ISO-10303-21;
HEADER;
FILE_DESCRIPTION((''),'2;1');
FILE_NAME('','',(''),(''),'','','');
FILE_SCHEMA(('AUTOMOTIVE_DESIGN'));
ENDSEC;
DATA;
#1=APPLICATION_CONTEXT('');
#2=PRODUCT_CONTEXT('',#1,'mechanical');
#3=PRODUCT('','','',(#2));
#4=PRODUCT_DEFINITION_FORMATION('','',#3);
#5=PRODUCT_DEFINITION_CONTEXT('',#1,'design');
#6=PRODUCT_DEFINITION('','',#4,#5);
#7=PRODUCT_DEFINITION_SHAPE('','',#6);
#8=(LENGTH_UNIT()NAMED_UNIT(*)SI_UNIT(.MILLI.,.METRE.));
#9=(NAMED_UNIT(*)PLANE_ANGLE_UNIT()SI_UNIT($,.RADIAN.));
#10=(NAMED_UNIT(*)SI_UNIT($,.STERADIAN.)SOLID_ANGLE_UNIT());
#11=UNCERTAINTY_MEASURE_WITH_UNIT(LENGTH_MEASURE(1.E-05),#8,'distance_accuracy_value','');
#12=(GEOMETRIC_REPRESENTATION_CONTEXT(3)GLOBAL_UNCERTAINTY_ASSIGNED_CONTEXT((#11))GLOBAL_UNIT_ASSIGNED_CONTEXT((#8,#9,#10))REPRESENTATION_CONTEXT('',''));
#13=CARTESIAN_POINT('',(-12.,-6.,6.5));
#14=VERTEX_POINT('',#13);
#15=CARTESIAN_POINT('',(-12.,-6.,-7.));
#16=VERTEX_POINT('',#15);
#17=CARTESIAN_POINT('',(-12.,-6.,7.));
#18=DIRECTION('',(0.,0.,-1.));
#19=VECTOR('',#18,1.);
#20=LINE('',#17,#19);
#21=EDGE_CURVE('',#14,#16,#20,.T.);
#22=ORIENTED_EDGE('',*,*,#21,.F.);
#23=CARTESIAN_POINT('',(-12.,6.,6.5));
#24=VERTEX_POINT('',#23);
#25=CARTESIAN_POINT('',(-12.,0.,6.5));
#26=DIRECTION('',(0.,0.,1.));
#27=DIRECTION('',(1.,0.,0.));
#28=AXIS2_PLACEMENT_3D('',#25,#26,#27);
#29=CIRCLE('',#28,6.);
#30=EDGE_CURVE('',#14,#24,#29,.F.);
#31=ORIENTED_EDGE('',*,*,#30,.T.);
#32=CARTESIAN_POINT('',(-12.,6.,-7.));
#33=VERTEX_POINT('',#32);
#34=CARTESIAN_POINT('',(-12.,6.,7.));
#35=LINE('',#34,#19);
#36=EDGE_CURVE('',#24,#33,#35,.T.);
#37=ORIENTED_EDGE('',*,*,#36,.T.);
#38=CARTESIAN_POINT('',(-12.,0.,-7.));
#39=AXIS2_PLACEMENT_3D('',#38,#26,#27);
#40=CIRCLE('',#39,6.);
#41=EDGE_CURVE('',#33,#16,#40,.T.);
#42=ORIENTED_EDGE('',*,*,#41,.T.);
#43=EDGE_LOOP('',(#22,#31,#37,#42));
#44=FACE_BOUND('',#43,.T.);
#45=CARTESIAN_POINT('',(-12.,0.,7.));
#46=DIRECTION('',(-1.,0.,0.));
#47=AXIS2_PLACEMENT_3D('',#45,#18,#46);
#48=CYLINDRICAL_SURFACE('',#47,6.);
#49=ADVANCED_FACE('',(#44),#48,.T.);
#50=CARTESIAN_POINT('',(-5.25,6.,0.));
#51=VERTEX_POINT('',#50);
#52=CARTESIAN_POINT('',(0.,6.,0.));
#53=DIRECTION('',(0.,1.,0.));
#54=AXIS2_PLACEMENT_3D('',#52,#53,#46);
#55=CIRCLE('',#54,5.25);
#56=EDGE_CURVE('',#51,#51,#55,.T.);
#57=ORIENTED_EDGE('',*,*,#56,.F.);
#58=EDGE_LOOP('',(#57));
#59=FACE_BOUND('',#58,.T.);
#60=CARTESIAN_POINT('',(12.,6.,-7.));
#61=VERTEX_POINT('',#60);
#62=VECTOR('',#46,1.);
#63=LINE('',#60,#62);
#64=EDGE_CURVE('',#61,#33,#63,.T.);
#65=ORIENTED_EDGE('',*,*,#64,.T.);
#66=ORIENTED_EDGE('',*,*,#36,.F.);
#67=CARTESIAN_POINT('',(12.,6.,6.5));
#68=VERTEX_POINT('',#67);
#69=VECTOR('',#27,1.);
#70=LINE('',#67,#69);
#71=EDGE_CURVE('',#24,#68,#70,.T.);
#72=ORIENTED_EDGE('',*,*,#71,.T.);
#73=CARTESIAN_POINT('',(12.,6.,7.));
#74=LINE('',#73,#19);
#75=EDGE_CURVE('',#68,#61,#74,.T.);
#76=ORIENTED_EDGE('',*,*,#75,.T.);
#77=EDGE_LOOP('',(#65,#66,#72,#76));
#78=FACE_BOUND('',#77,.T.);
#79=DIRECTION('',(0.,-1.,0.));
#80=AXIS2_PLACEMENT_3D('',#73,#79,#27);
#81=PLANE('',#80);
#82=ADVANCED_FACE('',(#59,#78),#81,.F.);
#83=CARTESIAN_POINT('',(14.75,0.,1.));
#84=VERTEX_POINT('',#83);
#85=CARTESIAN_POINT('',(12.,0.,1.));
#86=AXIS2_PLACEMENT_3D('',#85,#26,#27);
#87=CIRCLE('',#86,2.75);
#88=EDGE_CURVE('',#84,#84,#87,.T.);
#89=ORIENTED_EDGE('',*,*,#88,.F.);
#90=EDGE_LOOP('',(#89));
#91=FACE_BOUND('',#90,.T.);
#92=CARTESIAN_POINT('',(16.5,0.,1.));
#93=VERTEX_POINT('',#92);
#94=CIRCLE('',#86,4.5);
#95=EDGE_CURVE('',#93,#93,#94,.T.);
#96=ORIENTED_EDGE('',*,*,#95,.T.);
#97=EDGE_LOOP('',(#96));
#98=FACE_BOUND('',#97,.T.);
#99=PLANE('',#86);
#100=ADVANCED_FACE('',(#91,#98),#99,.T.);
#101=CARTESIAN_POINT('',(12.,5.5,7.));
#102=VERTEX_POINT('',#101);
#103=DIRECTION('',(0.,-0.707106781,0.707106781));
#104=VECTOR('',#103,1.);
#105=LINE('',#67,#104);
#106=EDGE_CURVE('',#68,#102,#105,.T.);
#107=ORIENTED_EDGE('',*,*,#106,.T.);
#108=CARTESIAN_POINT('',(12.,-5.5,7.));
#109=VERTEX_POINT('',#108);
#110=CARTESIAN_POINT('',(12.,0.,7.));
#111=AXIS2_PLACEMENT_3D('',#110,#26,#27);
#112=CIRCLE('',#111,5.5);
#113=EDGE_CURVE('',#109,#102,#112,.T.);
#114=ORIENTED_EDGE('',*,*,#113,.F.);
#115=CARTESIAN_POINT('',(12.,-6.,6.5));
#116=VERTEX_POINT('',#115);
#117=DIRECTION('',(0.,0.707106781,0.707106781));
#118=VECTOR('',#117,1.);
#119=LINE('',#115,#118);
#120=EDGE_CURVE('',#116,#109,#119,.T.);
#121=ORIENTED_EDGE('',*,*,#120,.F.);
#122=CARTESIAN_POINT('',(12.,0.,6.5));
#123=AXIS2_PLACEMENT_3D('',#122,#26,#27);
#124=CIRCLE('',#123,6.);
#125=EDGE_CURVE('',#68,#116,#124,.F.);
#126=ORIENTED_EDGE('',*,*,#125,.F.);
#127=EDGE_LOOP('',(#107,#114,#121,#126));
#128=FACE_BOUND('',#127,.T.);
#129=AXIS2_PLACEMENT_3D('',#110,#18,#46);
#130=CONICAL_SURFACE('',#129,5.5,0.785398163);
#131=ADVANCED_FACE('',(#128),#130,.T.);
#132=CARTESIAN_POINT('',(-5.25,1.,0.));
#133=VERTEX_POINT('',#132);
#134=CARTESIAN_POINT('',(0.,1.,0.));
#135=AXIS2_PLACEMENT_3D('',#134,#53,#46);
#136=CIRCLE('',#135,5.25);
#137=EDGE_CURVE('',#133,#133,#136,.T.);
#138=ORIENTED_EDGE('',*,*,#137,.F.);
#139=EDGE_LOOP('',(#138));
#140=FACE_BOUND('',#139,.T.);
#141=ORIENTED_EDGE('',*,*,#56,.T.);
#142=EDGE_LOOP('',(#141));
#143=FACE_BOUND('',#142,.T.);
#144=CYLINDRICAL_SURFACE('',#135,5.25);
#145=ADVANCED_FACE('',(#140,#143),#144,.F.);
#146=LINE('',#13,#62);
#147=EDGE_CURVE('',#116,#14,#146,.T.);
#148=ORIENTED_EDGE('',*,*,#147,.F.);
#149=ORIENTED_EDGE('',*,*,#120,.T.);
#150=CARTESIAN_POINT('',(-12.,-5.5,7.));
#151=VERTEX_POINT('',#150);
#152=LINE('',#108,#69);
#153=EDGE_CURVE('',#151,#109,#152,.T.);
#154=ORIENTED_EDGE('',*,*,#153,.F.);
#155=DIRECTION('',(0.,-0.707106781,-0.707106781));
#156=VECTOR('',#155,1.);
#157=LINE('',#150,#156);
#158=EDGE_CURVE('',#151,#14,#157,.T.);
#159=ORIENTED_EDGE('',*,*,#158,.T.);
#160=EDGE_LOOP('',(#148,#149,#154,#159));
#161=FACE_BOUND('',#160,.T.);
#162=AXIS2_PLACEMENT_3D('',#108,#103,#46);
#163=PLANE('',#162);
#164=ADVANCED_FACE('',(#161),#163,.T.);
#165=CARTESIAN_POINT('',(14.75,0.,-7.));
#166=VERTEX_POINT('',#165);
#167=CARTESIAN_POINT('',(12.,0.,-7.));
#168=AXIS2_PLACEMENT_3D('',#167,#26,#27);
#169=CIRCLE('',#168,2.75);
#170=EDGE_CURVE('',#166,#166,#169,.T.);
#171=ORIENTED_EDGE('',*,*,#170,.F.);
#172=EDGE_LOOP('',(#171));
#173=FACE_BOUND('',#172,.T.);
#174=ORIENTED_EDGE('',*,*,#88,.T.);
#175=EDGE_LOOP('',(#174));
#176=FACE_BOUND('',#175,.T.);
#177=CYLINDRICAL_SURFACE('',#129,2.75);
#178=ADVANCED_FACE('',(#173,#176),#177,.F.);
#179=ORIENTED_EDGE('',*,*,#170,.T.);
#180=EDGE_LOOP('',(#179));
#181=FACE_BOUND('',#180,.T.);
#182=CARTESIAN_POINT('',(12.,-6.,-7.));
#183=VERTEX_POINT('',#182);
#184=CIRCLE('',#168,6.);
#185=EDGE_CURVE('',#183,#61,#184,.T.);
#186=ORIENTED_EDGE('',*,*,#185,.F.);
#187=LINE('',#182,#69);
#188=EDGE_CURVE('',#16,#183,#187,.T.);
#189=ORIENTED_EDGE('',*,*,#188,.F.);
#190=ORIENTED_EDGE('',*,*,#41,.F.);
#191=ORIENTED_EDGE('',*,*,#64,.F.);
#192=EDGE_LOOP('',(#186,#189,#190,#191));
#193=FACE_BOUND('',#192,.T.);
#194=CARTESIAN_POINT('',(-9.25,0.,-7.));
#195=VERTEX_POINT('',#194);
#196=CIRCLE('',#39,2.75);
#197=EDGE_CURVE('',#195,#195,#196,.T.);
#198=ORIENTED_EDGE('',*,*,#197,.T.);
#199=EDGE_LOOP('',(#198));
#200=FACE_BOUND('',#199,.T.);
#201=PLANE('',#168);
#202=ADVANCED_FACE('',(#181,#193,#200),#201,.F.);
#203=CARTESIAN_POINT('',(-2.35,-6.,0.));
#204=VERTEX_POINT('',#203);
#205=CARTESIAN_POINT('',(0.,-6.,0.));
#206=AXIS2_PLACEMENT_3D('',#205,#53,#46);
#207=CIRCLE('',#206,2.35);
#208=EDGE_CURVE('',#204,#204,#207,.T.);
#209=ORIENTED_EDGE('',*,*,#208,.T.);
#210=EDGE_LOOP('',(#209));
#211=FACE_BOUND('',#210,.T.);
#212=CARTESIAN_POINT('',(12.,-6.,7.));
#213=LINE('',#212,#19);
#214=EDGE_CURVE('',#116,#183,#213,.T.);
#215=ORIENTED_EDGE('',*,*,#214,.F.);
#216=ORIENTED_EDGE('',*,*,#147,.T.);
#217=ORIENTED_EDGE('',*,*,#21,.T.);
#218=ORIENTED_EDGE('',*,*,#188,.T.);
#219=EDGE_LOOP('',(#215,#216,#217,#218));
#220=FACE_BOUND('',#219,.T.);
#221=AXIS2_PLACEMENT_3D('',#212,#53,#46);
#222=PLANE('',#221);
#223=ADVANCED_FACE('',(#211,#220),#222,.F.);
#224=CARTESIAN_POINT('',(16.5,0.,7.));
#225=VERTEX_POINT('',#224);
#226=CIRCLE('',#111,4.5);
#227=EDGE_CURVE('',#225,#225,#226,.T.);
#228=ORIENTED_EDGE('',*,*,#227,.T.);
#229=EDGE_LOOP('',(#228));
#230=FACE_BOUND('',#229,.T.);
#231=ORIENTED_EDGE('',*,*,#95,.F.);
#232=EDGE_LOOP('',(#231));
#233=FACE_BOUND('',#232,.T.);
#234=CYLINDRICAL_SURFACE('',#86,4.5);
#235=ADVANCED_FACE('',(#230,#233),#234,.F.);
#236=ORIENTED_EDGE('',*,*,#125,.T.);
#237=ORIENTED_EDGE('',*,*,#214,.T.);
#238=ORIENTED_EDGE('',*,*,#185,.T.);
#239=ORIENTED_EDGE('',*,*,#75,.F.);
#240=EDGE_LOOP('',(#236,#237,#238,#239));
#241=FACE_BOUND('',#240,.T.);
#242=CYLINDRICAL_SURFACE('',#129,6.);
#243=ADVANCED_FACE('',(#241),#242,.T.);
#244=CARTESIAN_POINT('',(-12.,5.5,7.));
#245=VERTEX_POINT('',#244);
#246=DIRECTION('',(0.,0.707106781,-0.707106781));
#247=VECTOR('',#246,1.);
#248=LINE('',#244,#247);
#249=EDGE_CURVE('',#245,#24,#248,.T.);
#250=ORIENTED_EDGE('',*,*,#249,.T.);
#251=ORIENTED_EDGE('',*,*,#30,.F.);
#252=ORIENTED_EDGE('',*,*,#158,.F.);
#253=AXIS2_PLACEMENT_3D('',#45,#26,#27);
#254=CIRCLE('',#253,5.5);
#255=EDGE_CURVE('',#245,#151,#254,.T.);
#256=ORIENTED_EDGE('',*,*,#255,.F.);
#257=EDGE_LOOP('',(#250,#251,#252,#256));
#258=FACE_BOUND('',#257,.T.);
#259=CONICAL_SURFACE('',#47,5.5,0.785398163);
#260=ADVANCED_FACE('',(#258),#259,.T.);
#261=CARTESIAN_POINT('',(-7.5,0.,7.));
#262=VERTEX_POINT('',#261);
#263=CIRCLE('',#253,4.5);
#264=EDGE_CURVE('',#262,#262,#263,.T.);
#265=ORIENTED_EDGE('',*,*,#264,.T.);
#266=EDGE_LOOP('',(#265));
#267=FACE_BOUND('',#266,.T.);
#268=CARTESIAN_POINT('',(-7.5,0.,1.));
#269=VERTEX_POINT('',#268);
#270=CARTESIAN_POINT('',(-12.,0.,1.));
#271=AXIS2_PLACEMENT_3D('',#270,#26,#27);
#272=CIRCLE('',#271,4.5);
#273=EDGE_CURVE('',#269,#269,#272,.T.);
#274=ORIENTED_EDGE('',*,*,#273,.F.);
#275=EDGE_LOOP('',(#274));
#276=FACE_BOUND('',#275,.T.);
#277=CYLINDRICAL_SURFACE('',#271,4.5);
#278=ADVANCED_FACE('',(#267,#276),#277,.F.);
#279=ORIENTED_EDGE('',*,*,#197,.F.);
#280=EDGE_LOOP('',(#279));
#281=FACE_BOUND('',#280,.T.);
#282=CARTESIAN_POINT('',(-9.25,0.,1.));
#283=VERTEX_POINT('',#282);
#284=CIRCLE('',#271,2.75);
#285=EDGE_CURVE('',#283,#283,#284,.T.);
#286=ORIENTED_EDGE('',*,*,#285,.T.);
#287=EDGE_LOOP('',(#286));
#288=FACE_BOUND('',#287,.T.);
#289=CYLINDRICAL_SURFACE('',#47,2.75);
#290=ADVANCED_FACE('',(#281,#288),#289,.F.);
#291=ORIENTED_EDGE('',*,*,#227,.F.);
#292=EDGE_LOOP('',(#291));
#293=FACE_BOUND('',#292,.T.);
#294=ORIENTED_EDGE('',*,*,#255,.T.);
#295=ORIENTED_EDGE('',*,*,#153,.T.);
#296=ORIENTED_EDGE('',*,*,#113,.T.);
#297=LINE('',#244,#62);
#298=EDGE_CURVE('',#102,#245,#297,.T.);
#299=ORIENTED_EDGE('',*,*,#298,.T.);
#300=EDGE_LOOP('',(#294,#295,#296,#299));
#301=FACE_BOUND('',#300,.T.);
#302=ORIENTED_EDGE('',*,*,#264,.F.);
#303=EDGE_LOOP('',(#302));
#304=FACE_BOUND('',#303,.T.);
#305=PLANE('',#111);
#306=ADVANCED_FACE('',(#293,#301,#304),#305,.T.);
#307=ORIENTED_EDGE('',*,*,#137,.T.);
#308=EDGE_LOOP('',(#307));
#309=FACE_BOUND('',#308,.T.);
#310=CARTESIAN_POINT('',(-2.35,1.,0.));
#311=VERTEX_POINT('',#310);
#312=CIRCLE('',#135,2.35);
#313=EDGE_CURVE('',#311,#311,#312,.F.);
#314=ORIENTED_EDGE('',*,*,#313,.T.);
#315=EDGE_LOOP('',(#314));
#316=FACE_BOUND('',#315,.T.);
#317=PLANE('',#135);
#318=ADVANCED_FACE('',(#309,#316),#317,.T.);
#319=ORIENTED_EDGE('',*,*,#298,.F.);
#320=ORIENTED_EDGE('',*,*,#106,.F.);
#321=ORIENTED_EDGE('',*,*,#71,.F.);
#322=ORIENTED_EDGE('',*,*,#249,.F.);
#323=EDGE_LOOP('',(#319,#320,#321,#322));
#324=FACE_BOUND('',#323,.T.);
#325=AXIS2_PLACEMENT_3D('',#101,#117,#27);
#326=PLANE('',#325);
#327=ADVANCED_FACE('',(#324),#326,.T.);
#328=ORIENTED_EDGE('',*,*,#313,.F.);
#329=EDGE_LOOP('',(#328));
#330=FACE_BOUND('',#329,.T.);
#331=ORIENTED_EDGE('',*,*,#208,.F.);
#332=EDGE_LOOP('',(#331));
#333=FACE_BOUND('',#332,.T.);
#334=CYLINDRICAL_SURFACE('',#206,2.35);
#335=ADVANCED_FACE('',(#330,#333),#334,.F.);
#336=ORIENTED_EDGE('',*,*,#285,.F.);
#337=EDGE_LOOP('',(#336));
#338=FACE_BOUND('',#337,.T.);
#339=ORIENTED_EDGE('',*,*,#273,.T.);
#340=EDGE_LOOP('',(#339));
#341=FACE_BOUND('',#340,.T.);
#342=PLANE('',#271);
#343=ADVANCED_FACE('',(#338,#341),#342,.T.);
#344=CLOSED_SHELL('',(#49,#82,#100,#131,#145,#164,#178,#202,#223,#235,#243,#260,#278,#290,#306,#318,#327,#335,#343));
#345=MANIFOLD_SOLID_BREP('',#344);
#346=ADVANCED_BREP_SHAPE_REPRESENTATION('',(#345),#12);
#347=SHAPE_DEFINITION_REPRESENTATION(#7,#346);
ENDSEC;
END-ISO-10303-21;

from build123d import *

# Parameters (mm, degrees)
SKETCH1_R           = 2.75
BOSS_EXTRUDE1_DEPTH = 7
SKETCH2_R           = 2.35
CUT_EXTRUDE1_DEPTH  = 23.737634002
SKETCH3_R           = 5.25
CUT_EXTRUDE2_DEPTH  = 5
CHAMFER1_SIZE       = 0.5
SKETCH4_R           = 4.5
CUT_EXTRUDE3_DEPTH  = 6


with BuildPart() as part:
    # Sketch1 → Boss-Extrude1 (new, symmetric)
    with BuildSketch(Plane.XY):
        with BuildLine():
            Line((12, -6), (-12, -6))
            ThreePointArc((-12, -6), (-18, 0), (-12, 6))
            Line((-12, 6), (12, 6))
            ThreePointArc((12, 6), (18, 0), (12, -6))
        make_face()
        with Locations((-12, 0)):
            Circle(SKETCH1_R, mode=Mode.SUBTRACT)
        with Locations((12, 0)):
            Circle(SKETCH1_R, mode=Mode.SUBTRACT)
    extrude(amount=BOSS_EXTRUDE1_DEPTH, both=True)

    # Sketch2 → Cut-Extrude1 (cut, through all)
    with BuildSketch(Plane(origin=(0, 6, 0), x_dir=(1, 0, 0), z_dir=(0, 1, 0))):
        with Locations(Location((0, 0, 0), (0, 0, 180))):
            Circle(SKETCH2_R)
    extrude(amount=-CUT_EXTRUDE1_DEPTH, mode=Mode.SUBTRACT)

    # Sketch3 → Cut-Extrude2 (cut)
    with BuildSketch(Plane(origin=(0, 6, 0), x_dir=(1, 0, 0), z_dir=(0, 1, 0))):
        with Locations(Location((0, 0, 0), (0, 0, 180))):
            Circle(SKETCH3_R)
    extrude(amount=-CUT_EXTRUDE2_DEPTH, mode=Mode.SUBTRACT)

    # Chamfer1
    chamfer1_edges = [part.edges().sort_by_distance(p)[0] for p in [
        (-18, 0, 7),
        (0, -6, 7),
        (18, 0, 7),
        (0, 6, 7),
    ]]
    chamfer(chamfer1_edges, length=CHAMFER1_SIZE)

    # Sketch4 → Cut-Extrude3 (cut)
    with BuildSketch(Plane.XY.offset(7)):
        with Locations((-12, 0)):
            Circle(SKETCH4_R)
        with Locations((12, 0)):
            Circle(SKETCH4_R)
    extrude(amount=-CUT_EXTRUDE3_DEPTH, mode=Mode.SUBTRACT)


solid = part.part
